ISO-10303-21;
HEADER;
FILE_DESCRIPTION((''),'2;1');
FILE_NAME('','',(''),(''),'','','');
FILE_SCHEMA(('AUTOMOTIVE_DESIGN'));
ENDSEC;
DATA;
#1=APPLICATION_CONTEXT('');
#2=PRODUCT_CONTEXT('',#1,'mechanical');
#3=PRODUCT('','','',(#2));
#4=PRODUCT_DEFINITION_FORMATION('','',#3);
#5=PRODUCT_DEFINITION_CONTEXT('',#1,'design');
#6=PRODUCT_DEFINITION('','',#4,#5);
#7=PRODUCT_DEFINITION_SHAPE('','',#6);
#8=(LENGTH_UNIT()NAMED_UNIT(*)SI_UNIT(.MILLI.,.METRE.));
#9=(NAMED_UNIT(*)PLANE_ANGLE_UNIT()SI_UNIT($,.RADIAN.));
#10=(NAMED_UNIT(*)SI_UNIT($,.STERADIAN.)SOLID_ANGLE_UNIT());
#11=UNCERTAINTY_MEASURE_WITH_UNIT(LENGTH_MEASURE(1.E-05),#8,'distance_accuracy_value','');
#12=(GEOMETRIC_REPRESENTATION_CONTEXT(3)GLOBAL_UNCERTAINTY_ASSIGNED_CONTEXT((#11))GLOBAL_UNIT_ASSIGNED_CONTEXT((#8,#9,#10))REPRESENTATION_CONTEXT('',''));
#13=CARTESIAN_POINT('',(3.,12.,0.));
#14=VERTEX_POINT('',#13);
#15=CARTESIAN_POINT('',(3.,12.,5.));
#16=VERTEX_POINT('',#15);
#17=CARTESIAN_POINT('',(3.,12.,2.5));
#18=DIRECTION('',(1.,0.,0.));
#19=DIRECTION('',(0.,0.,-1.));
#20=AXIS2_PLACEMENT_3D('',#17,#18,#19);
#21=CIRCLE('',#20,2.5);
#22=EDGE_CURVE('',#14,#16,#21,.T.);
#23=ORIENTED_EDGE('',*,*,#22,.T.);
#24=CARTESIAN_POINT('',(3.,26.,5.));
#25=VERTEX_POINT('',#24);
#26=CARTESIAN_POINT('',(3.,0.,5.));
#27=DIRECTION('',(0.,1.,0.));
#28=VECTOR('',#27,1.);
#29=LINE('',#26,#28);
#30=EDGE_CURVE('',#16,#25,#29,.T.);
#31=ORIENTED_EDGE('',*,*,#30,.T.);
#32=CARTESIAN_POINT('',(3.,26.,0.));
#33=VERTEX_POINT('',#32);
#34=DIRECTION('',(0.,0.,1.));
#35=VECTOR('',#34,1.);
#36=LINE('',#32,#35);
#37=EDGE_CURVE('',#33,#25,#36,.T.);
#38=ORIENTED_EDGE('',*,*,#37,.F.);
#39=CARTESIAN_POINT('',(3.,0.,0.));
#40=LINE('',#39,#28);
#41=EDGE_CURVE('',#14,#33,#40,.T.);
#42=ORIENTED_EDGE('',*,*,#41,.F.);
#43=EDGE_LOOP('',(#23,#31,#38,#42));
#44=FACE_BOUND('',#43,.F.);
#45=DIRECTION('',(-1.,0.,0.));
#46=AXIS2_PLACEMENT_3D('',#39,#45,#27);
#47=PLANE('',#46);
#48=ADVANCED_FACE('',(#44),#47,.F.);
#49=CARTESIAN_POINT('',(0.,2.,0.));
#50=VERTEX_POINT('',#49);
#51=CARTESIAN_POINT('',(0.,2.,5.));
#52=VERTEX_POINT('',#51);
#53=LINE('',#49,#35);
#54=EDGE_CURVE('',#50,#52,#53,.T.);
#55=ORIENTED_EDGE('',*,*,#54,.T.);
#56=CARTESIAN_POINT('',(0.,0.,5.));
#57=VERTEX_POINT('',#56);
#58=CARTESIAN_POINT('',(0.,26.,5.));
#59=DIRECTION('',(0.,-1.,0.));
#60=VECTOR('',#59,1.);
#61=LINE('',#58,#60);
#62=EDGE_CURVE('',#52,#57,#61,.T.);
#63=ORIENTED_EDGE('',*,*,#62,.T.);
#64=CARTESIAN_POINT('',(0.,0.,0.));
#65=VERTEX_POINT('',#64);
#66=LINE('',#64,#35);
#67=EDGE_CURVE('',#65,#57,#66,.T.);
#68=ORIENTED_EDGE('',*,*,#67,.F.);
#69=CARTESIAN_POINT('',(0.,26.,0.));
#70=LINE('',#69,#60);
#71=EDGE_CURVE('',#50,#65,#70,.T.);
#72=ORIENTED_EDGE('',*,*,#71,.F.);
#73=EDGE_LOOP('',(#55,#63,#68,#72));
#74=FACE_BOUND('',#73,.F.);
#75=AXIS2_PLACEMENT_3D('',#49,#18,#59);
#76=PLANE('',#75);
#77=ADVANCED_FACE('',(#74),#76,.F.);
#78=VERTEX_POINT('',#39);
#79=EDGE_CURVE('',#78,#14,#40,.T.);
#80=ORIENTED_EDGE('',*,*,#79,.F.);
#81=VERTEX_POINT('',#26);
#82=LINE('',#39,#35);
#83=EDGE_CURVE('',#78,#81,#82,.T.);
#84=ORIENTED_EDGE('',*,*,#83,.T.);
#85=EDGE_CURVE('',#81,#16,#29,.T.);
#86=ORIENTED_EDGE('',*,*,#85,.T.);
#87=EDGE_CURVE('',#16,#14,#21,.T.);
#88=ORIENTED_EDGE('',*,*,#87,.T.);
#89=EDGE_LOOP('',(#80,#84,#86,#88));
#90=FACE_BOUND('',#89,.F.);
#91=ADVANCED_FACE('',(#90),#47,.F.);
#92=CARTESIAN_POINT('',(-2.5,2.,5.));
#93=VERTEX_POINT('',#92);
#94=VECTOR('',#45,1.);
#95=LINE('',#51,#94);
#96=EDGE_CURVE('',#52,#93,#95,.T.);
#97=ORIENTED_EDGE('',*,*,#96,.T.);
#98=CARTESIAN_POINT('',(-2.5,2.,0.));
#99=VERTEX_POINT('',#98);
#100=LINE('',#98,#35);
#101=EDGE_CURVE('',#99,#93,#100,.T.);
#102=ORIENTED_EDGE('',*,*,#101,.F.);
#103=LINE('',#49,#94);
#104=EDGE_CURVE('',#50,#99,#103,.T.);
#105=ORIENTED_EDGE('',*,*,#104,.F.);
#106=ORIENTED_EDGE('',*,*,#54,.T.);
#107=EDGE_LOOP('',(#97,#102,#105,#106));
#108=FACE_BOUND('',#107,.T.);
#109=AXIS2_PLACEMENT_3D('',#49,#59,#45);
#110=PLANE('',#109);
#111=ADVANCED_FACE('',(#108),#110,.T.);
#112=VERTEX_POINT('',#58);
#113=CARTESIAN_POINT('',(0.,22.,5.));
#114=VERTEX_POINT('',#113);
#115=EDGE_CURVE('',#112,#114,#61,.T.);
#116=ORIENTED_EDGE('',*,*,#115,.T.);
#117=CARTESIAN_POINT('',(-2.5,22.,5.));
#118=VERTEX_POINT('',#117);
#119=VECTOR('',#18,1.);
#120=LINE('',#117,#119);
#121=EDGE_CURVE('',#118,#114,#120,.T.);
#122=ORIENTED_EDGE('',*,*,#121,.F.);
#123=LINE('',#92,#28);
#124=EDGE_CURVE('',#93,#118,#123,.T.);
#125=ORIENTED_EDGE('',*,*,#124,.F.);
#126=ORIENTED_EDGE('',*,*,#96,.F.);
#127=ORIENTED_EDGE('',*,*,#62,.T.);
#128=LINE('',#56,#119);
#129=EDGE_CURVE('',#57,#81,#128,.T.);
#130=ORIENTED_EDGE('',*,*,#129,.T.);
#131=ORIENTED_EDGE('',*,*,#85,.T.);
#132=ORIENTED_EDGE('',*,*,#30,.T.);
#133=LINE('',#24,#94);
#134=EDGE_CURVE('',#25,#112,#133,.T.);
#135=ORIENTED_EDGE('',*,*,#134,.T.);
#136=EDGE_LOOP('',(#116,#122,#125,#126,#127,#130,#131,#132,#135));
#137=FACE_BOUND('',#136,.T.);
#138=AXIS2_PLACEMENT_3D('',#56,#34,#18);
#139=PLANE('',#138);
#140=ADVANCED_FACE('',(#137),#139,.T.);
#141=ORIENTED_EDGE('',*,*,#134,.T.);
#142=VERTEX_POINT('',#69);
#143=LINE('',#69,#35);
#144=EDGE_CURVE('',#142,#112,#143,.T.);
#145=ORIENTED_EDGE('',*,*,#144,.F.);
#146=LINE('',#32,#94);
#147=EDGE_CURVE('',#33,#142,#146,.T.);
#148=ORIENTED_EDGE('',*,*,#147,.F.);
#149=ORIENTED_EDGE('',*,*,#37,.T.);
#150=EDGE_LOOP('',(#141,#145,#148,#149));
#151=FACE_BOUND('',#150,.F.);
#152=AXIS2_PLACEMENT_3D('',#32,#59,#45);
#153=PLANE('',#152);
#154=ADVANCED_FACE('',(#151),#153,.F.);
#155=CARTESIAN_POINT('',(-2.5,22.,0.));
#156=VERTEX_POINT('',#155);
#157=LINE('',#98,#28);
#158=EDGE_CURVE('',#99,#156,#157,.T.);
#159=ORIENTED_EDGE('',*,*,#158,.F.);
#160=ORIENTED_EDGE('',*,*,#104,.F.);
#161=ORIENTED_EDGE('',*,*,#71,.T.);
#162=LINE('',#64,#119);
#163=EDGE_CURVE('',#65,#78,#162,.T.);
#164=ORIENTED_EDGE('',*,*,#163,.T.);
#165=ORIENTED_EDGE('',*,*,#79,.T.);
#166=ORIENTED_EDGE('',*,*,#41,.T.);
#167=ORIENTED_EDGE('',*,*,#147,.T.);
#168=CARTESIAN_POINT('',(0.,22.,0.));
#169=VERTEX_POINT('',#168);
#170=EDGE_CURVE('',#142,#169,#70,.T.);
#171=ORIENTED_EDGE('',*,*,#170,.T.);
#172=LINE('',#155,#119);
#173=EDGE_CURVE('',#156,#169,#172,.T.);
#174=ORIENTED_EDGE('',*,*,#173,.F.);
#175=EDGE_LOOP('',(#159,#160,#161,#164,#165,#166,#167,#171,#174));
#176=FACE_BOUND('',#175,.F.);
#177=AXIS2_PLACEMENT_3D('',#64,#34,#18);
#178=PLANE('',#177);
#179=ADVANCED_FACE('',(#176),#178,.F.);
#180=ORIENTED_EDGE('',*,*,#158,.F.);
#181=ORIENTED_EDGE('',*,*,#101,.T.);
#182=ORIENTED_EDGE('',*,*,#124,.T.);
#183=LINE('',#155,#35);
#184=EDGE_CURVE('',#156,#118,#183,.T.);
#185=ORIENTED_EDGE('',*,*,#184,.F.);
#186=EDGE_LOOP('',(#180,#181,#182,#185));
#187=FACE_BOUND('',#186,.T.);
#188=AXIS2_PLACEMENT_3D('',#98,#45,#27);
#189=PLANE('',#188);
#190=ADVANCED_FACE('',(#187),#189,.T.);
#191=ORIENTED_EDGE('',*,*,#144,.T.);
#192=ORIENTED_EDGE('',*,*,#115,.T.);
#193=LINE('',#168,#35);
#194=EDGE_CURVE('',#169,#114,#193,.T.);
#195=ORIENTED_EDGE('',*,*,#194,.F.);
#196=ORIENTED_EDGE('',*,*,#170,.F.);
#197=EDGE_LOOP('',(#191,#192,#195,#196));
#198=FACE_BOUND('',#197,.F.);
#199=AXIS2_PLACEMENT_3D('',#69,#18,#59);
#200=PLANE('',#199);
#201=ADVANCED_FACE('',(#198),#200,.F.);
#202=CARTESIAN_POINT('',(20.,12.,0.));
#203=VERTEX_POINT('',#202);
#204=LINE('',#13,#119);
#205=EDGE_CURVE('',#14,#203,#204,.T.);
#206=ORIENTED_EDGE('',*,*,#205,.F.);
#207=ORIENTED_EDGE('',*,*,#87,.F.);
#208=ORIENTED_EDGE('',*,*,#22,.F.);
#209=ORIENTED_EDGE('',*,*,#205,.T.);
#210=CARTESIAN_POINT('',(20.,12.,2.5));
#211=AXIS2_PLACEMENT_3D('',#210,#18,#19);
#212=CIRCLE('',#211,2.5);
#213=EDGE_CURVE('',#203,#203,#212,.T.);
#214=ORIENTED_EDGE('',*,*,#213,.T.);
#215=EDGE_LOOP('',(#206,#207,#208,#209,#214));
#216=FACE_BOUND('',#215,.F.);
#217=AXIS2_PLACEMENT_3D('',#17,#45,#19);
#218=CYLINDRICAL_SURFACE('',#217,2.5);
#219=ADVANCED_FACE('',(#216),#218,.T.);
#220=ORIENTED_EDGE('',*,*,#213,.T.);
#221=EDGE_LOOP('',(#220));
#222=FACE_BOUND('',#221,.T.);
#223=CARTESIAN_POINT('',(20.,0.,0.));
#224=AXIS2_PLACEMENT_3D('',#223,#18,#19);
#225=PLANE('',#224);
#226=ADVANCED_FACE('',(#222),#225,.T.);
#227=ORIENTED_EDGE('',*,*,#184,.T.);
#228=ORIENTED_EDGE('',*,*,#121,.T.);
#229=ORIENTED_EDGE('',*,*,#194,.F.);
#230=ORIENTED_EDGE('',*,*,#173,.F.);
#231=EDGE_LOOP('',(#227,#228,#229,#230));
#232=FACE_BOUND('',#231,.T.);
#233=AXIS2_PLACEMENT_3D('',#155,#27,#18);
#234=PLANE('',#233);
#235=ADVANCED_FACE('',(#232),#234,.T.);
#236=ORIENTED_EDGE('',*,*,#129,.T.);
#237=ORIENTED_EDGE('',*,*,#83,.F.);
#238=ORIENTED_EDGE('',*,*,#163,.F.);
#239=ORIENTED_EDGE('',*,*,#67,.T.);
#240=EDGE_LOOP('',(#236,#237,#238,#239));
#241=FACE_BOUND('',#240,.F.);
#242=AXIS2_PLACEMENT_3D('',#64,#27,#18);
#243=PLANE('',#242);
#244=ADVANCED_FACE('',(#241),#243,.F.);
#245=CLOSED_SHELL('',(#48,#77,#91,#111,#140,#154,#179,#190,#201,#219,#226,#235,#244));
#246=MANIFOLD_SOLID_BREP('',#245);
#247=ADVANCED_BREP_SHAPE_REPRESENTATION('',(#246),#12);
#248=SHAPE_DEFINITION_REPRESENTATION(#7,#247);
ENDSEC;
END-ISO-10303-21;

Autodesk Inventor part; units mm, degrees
ref_plane "YZ Plane" through (0, 0, 0) normal (1, 0, 0) x (0, 1, 0)
ref_plane "XZ Plane" through (0, 0, 0) normal (0, 1, 0) x (-1, 0, 0)
ref_plane "XY Plane" through (0, 0, 0) normal (0, 0, 1) x (1, 0, 0)
sketch "Sketch1" plane through (0, 0, 0) normal (0, 0, 1) x (1, 0, 0)
  line L0 (0, 0) -> (3, 0)
  line L1 (3, 0) -> (3, 26)
  line L2 (3, 26) -> (0, 26)
  line L3 (0, 26) -> (0, 0)
  line L4 (-2.5, 22) -> (0, 22)
  line L5 (0, 22) -> (0, 2)
  line L6 (0, 2) -> (-2.5, 2)
  line L7 (-2.5, 2) -> (-2.5, 22)
  point P0 (-1.25, 2)
  point P1 (0, 22)
  dimension "d0" = 2.5
  dimension "d1" = 20
  dimension "d2" = 26
  dimension "d3" = 3
  dimension "d4" = 2
extrude "Extrusion1" add sketch "Sketch1" along normal blind 5
sketch "Sketch2" plane through (3, 0, 0) normal (1, 0, 0) x (0, 0, -1)
  circle A0 centre (-2.5, 12) radius 2.5
  line L0 (0, 0) -> (0, 26) projected
  line L1 (0, 26) -> (-5, 26) projected
  point P0 (-2.5, 26)
  dimension "d7" = 14
extrude "Extrusion2" add sketch "Sketch2" along normal blind 17
properties part number "contact_axis"
